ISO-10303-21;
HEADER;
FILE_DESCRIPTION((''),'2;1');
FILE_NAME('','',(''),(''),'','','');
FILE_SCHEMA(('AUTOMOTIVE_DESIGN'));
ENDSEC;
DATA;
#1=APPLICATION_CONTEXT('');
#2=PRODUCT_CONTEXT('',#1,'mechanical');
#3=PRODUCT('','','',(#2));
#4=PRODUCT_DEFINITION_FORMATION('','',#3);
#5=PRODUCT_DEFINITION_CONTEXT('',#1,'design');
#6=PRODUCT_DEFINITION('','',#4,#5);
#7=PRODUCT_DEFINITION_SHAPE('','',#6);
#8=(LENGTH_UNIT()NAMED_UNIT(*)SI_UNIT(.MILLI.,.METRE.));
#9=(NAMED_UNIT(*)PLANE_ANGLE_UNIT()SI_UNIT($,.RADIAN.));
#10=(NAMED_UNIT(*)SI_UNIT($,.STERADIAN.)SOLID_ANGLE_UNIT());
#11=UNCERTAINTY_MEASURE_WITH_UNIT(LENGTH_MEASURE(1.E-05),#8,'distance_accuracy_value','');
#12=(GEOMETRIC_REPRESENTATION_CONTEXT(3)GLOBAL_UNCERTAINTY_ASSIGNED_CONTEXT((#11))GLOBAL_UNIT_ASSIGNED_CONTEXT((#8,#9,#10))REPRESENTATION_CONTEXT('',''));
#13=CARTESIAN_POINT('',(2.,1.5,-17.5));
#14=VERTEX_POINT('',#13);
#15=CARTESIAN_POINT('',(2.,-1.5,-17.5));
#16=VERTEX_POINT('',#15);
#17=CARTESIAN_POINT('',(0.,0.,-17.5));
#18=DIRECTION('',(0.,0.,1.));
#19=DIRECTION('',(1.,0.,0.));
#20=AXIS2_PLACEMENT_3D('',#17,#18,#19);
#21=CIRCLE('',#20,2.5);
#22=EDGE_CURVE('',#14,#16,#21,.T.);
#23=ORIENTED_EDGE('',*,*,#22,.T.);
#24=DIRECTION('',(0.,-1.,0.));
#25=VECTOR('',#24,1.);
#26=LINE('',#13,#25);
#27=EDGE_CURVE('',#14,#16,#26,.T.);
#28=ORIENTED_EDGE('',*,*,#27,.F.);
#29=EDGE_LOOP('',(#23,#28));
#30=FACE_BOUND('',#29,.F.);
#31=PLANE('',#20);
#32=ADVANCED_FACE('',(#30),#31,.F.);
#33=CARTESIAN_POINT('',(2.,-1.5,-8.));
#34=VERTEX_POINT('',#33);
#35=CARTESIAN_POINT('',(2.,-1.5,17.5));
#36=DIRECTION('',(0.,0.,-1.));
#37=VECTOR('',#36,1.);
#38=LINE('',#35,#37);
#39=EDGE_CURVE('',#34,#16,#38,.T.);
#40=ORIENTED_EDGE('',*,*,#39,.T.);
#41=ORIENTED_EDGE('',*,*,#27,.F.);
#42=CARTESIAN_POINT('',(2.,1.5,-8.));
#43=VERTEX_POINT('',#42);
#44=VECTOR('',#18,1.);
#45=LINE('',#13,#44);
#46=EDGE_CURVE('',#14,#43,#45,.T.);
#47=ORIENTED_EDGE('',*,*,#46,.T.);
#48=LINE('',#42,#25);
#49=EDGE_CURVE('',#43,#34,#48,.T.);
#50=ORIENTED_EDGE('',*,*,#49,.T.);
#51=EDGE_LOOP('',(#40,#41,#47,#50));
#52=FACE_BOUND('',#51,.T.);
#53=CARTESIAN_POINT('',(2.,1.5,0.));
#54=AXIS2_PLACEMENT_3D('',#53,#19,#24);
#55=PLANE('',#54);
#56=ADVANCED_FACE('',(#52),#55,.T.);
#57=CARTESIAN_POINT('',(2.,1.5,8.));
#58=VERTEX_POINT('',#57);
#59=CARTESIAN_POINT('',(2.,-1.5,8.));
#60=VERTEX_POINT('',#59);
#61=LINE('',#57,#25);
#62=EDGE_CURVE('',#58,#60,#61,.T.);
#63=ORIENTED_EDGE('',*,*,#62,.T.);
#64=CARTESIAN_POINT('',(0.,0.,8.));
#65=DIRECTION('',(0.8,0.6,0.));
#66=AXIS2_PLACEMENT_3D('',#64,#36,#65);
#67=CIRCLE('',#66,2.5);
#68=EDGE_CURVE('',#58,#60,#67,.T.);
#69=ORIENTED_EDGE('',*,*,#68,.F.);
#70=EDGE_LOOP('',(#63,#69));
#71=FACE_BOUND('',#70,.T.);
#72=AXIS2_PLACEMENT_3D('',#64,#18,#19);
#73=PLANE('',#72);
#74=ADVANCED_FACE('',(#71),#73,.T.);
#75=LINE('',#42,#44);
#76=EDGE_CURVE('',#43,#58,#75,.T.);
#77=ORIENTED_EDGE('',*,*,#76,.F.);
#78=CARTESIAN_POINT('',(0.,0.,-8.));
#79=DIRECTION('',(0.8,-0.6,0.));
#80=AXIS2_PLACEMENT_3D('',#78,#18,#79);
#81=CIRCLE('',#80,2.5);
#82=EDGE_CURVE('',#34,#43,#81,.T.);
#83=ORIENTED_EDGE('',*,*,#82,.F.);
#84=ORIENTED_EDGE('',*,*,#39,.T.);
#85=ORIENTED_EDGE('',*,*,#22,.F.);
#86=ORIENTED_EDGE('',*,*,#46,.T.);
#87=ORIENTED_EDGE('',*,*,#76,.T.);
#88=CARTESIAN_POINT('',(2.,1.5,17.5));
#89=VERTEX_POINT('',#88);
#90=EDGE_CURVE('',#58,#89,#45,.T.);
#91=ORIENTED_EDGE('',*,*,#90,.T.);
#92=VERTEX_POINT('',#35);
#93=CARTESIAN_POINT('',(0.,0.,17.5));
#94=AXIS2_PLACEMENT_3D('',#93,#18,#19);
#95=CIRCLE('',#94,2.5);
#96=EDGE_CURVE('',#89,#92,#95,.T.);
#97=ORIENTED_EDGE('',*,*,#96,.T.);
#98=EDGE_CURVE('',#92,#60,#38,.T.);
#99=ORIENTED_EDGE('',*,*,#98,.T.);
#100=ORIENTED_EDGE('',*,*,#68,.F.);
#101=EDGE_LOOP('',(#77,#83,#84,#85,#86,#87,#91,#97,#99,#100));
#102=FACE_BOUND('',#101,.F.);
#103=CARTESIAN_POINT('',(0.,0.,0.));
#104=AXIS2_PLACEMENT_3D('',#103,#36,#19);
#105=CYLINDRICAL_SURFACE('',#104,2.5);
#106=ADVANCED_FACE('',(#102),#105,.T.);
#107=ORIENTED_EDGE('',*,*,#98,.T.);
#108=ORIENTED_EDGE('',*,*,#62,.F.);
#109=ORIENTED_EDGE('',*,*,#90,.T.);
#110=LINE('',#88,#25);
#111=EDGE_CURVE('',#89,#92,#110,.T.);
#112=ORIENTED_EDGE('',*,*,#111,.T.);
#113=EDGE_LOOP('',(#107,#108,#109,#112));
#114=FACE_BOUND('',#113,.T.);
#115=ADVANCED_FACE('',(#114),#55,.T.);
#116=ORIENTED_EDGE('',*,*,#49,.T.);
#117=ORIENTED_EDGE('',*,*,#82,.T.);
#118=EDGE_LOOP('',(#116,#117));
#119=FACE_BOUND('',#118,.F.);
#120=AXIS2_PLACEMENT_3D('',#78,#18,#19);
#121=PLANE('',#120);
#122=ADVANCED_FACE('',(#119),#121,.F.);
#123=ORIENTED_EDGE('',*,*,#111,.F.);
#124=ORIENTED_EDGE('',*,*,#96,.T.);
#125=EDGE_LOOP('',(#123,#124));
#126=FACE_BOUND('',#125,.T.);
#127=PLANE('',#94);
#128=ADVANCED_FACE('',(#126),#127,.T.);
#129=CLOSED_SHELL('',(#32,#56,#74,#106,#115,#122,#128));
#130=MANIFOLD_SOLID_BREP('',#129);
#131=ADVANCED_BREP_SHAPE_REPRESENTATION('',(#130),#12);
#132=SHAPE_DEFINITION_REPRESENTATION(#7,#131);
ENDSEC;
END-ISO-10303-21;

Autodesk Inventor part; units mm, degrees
ref_plane "YZ Plane" through (0, 0, 0) normal (1, 0, 0) x (0, 1, 0)
ref_plane "XZ Plane" through (0, 0, 0) normal (0, 1, 0) x (-1, 0, 0)
ref_plane "XY Plane" through (0, 0, 0) normal (0, 0, 1) x (1, 0, 0)
sketch "Sketch1" plane through (0, 0, 0) normal (0, 0, 1) x (1, 0, 0)
  circle A0 centre (0, 0) radius 2.5
  line L0 (2, 1.5) -> (2, -1.5)
  dimension "d0" = 5
  dimension "d1" = 2
extrude "Extrusion1" add sketch "Sketch1" along normal mid plane 35 contours L0 A0 picked at (0.2258, 0.7583)
extrude "Extrusion2" add sketch "Sketch1" along normal mid plane 16 contours A0 L0 picked at (2.0912, -0.3466)
properties part number "CrankShaft"
